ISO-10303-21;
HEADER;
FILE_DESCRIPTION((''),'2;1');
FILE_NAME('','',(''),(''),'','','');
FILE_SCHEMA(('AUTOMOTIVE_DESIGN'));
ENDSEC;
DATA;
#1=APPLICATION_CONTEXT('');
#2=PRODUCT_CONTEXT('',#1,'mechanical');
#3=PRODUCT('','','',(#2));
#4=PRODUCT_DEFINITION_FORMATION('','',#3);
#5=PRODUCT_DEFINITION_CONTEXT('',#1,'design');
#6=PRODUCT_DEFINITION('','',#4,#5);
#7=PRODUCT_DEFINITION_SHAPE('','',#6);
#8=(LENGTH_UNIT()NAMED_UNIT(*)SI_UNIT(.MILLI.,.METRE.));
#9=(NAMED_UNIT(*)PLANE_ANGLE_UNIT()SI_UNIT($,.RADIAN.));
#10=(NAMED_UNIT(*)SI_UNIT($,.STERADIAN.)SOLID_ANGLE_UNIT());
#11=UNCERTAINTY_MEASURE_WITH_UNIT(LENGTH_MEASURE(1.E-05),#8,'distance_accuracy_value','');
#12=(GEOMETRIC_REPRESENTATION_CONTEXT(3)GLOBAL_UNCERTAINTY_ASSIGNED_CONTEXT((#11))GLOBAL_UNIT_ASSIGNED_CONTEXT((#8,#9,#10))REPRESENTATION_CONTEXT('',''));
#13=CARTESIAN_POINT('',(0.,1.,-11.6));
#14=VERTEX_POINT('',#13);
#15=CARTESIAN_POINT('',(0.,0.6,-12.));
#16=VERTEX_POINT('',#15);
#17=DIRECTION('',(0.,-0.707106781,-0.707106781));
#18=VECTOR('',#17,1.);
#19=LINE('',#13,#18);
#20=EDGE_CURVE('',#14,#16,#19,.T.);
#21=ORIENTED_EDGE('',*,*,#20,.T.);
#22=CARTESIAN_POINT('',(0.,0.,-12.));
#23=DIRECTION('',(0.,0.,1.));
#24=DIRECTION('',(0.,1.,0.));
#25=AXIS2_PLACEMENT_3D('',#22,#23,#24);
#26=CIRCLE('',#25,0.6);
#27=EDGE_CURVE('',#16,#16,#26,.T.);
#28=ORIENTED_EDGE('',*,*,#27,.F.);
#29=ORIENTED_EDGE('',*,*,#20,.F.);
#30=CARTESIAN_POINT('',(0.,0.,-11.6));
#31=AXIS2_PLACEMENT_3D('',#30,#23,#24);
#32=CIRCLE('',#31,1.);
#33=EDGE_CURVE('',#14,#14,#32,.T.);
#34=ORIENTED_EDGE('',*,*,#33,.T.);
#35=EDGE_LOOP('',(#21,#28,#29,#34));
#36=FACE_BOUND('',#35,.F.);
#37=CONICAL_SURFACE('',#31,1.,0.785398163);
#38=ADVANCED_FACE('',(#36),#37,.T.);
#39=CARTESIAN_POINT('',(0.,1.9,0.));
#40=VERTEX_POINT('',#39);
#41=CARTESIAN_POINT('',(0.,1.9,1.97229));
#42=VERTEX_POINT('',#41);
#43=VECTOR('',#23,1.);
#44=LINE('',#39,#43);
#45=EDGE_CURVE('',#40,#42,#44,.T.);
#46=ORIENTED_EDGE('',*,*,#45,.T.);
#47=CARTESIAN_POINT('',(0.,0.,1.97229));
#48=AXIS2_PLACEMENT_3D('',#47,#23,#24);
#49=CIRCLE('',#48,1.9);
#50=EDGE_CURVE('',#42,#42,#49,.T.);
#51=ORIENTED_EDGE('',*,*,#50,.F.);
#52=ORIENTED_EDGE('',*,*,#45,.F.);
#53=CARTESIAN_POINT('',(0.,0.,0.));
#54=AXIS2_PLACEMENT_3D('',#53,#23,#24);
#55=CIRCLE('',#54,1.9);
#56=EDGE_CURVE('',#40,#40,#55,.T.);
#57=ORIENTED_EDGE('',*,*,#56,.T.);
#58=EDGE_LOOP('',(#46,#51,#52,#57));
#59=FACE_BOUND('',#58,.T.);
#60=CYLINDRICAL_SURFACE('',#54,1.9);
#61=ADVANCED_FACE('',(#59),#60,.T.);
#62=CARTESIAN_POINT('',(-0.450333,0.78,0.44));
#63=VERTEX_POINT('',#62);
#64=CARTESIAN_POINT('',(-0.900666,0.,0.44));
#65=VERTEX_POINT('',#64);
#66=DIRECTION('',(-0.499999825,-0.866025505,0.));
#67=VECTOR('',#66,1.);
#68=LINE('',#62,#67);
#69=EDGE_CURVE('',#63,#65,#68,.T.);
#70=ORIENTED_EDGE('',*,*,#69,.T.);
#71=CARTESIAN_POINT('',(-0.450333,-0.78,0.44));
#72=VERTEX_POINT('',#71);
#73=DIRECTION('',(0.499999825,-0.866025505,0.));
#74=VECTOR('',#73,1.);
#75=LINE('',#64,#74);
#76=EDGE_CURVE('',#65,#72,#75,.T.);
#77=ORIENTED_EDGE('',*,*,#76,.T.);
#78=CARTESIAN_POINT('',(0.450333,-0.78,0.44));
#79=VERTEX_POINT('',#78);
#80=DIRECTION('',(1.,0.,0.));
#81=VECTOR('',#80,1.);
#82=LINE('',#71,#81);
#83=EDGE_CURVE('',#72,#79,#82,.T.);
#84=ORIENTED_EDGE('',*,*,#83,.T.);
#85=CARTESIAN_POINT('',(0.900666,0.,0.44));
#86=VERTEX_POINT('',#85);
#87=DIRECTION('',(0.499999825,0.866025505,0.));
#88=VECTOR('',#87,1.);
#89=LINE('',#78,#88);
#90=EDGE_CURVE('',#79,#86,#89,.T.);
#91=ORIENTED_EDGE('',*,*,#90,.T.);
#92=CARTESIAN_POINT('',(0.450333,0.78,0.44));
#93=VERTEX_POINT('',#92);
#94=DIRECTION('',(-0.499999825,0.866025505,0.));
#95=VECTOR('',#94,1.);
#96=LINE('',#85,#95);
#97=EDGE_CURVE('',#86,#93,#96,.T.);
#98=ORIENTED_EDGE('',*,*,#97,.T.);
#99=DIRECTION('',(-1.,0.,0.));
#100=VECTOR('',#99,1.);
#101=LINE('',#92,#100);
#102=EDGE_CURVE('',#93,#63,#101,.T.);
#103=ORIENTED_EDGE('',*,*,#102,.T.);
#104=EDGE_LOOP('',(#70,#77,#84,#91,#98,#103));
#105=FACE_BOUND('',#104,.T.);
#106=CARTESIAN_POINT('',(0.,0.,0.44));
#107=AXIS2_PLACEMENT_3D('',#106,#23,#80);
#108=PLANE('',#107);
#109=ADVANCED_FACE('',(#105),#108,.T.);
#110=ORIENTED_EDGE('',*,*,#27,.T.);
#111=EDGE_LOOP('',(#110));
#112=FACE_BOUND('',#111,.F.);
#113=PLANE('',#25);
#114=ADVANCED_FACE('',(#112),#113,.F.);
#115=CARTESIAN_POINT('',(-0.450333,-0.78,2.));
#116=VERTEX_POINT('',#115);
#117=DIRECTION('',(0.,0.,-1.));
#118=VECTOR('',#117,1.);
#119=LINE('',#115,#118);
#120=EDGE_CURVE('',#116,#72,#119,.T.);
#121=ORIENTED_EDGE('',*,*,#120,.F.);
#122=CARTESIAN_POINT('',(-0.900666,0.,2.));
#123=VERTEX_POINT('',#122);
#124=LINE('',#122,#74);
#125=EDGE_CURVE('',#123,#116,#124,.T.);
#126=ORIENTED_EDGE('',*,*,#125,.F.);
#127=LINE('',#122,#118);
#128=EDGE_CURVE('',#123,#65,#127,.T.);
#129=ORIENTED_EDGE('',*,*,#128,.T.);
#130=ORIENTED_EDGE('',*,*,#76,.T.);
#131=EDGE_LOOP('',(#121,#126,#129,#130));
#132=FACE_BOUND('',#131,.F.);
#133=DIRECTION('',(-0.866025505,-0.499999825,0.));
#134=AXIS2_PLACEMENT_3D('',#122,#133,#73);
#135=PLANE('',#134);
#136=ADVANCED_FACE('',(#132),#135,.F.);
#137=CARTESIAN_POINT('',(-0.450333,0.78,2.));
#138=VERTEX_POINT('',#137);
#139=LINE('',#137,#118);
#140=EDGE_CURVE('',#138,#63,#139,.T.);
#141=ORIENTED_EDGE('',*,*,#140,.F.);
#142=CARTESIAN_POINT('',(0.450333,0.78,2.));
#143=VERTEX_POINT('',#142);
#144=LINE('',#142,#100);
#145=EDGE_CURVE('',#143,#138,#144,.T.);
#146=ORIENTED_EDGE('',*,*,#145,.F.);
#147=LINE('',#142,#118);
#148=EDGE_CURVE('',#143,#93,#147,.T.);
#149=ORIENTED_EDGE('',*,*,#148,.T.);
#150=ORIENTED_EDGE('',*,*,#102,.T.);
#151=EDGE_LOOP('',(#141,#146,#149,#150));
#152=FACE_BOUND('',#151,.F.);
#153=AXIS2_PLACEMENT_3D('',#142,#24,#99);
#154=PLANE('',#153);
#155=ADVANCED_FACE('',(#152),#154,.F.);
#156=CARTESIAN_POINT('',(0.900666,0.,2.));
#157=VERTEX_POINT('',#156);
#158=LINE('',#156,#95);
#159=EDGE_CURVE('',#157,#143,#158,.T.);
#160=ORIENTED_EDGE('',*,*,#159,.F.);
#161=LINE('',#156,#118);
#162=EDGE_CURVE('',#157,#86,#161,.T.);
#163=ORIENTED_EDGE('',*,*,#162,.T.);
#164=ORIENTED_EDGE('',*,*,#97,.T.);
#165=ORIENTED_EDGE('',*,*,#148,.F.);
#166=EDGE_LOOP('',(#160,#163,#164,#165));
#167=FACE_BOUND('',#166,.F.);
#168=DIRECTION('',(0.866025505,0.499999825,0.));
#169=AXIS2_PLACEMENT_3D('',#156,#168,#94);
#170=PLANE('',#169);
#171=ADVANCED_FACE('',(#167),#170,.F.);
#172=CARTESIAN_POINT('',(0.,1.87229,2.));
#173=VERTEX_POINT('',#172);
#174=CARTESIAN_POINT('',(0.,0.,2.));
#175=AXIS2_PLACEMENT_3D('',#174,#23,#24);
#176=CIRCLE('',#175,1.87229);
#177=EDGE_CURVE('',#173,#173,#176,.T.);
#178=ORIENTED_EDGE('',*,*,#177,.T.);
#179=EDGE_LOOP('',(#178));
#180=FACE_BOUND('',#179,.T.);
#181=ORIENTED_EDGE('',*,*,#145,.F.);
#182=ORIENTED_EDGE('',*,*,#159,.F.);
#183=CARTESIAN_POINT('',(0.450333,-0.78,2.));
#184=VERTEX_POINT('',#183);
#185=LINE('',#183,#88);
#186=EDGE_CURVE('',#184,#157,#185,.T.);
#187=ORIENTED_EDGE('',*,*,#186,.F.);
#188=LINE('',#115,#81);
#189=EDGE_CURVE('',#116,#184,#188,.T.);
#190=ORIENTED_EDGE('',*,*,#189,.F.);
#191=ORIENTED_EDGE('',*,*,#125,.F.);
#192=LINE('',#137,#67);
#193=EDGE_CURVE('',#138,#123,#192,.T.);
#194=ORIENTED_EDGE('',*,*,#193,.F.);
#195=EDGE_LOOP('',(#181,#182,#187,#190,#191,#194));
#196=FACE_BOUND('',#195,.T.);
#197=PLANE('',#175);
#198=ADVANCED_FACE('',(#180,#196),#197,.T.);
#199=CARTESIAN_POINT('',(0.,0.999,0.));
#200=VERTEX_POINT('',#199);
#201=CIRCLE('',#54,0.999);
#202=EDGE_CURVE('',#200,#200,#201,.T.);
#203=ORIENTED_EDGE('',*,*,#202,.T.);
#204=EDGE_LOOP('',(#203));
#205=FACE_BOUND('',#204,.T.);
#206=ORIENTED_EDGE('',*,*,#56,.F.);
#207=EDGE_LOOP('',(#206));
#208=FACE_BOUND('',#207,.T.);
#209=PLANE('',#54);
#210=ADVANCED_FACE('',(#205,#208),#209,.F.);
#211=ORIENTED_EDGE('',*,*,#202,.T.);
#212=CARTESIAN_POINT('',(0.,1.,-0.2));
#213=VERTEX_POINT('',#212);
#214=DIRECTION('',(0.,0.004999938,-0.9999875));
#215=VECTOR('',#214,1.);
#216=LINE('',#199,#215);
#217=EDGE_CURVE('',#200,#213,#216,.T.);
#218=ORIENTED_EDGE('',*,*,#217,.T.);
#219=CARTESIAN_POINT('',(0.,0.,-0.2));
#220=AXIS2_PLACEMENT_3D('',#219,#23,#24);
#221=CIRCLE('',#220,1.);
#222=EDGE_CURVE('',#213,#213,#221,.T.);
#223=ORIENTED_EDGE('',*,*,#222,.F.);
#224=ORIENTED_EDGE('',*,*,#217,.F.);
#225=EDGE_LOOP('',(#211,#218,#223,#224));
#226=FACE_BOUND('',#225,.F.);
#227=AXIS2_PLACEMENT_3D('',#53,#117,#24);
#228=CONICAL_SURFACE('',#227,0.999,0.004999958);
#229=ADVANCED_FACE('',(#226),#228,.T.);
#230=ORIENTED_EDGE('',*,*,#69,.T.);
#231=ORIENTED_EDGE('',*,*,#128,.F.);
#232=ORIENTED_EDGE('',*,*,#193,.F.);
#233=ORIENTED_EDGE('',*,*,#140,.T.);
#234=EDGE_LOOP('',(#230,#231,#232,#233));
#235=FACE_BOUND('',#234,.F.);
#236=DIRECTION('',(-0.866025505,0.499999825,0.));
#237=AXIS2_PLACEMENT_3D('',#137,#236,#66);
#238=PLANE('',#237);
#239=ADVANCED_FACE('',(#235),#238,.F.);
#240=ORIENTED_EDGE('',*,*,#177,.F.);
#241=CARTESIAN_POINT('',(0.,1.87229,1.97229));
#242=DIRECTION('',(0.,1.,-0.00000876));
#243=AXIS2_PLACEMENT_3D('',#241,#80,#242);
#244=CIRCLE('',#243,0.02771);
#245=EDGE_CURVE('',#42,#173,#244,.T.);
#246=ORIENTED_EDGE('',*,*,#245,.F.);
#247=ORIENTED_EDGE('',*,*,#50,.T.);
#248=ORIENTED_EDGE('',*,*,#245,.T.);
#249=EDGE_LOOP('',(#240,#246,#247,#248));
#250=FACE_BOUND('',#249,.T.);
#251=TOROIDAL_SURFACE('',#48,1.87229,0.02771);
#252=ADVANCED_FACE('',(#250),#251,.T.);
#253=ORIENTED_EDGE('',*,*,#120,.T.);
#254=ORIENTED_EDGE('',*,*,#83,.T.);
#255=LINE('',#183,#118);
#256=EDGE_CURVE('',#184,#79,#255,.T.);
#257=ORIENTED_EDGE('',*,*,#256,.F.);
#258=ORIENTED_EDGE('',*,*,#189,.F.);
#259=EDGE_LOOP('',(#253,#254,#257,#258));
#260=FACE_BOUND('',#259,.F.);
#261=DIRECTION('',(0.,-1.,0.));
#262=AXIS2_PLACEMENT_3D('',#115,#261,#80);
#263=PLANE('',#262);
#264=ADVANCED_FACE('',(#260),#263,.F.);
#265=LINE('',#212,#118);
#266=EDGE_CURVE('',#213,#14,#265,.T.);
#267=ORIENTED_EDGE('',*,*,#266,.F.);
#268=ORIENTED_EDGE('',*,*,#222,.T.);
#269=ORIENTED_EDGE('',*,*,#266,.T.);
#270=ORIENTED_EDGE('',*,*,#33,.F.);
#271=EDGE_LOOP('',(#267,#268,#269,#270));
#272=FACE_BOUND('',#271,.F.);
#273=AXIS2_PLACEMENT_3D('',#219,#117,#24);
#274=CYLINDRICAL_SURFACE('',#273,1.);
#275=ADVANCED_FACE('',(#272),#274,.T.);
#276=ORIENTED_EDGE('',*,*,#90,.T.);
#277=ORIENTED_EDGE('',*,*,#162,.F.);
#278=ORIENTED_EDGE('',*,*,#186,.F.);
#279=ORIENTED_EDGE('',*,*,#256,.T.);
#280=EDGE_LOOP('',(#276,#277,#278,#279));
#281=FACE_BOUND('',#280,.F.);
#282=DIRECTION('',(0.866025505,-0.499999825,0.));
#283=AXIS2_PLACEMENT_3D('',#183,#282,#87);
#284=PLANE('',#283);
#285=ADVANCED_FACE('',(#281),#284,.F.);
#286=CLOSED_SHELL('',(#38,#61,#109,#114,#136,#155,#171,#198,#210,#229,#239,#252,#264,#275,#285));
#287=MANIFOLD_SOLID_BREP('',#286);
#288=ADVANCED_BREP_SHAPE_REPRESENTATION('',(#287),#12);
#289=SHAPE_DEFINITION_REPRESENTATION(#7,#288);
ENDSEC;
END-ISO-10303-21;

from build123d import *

# Parameters (mm, degrees)
POCKET_DEPTH = 1.56


with BuildPart() as part:
    # Sketch → Revolve (revolve)
    with BuildSketch(Plane.YZ):
        with BuildLine():
            Line((0.999, 0), (1.9, 0))
            Line((1.9, 0), (1.9, 1.97229))
            ThreePointArc((1.9, 1.97229), (1.891884, 1.991884), (1.87229, 2))
            Line((1.87229, 2), (0, 2))
            Line((0, -12), (0, 2))
            Line((0.6, -12), (0, -12))
            Line((1, -11.6), (0.6, -12))
            Line((1, -0.2), (1, -11.6))
            Line((0.999, 0), (1, -0.2))
        make_face()
    revolve(axis=Axis((0, 0, 0), (0, 0, 1)))

    # Sketch001 → Pocket (cut)
    with BuildSketch(Plane.XY.offset(2)):
        Polygon((0.900666, 0), (0.450333, 0.78), (-0.450333, 0.78), (-0.900666, 0), (-0.450333, -0.78), (0.450333, -0.78), align=None)
    extrude(amount=-POCKET_DEPTH, mode=Mode.SUBTRACT)


solid = part.part
